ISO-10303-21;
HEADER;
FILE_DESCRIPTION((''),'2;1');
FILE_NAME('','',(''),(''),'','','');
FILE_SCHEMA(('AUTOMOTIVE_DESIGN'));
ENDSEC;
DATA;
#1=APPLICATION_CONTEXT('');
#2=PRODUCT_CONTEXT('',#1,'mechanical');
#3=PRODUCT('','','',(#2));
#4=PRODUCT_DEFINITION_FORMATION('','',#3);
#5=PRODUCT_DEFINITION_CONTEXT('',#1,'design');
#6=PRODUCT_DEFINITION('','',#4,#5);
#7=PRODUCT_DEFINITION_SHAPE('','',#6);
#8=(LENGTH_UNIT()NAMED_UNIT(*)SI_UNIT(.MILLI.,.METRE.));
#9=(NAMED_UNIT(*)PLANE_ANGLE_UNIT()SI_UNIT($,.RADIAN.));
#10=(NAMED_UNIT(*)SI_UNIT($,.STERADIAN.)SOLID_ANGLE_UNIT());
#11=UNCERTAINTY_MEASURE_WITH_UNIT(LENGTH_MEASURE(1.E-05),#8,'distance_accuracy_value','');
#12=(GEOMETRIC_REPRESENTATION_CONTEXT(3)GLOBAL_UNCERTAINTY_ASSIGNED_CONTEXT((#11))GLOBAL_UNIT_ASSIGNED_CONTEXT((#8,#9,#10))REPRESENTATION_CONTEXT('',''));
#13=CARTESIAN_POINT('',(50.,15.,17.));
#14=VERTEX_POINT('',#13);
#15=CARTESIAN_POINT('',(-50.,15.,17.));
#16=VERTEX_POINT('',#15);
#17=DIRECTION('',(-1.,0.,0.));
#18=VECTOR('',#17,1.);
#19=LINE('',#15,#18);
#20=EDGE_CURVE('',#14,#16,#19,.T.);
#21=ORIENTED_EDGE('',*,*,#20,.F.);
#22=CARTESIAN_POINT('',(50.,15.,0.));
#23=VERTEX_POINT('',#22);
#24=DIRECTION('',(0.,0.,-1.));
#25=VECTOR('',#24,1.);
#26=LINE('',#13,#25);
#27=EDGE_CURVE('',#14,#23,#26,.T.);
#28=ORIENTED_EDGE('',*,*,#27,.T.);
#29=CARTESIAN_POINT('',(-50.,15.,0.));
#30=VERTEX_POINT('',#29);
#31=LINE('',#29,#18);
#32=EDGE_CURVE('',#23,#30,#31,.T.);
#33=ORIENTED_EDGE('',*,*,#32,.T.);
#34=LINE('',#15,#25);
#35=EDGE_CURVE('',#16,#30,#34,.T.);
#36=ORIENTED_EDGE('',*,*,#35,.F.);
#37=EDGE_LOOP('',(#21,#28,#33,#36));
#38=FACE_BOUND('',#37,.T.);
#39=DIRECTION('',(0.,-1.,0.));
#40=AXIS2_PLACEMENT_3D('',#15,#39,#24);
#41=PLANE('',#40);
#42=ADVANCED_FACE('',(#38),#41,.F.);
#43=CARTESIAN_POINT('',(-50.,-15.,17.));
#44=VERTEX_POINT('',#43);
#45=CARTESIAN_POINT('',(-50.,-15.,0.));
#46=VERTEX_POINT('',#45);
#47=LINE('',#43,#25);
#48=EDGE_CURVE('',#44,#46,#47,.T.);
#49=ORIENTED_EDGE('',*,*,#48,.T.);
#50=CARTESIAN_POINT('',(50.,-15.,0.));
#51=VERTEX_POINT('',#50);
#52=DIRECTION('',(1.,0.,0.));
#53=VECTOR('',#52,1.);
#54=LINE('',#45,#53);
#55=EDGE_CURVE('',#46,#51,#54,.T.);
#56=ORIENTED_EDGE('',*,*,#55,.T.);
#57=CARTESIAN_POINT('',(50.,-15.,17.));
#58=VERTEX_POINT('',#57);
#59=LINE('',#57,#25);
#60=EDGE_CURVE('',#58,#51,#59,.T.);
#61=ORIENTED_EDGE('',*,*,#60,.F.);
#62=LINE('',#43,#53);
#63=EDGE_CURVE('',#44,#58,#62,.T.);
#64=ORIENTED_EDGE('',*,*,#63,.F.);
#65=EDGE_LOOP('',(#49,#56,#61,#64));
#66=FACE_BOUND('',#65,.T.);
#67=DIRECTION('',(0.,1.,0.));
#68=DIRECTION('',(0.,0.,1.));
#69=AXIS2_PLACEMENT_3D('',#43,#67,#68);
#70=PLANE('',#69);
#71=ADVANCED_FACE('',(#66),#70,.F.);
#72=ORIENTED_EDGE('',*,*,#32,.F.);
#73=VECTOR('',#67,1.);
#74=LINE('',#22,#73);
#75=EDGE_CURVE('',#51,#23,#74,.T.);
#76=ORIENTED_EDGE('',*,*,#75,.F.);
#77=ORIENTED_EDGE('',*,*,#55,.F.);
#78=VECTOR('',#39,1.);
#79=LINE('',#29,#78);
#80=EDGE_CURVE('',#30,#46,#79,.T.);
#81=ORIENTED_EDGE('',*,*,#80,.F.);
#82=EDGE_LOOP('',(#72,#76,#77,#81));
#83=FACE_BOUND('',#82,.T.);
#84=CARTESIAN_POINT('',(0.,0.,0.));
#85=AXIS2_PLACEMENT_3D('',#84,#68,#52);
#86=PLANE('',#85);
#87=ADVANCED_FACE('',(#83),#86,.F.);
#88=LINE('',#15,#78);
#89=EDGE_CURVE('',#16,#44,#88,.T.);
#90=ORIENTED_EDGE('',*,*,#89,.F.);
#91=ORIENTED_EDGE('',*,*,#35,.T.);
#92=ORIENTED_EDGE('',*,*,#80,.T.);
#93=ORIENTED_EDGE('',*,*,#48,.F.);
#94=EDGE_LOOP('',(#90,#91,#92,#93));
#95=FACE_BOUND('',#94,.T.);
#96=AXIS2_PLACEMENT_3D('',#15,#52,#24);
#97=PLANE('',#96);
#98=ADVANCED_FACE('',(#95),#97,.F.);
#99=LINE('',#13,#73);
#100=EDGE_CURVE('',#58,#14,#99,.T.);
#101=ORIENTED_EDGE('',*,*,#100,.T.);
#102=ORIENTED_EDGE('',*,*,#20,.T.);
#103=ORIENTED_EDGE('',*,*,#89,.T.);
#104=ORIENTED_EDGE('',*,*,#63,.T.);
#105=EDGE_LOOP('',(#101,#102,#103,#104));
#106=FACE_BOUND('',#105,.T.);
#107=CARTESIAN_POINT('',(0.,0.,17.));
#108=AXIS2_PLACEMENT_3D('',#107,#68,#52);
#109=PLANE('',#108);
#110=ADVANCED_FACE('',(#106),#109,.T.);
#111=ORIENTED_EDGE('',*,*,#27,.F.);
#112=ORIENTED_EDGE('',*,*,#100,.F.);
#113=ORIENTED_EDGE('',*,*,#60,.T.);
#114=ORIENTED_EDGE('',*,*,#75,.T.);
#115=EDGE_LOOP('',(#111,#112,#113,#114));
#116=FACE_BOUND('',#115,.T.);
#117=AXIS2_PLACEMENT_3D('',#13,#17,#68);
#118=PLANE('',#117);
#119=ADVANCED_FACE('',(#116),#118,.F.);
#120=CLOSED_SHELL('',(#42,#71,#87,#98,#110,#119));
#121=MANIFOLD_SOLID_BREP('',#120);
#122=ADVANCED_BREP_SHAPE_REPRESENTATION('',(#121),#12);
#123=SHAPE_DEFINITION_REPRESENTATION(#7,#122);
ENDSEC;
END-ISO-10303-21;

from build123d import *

# Parameters (mm, degrees)
SKETCH_1_W      = 100
SKETCH_1_H      = 30
EXTRUDE_1_DEPTH = 17


with BuildPart() as part:
    # 草圖1 → 填料-伸長1 (new body)
    with BuildSketch(Plane.XY):
        Rectangle(SKETCH_1_W, SKETCH_1_H)
    extrude(amount=EXTRUDE_1_DEPTH)


solid = part.part
